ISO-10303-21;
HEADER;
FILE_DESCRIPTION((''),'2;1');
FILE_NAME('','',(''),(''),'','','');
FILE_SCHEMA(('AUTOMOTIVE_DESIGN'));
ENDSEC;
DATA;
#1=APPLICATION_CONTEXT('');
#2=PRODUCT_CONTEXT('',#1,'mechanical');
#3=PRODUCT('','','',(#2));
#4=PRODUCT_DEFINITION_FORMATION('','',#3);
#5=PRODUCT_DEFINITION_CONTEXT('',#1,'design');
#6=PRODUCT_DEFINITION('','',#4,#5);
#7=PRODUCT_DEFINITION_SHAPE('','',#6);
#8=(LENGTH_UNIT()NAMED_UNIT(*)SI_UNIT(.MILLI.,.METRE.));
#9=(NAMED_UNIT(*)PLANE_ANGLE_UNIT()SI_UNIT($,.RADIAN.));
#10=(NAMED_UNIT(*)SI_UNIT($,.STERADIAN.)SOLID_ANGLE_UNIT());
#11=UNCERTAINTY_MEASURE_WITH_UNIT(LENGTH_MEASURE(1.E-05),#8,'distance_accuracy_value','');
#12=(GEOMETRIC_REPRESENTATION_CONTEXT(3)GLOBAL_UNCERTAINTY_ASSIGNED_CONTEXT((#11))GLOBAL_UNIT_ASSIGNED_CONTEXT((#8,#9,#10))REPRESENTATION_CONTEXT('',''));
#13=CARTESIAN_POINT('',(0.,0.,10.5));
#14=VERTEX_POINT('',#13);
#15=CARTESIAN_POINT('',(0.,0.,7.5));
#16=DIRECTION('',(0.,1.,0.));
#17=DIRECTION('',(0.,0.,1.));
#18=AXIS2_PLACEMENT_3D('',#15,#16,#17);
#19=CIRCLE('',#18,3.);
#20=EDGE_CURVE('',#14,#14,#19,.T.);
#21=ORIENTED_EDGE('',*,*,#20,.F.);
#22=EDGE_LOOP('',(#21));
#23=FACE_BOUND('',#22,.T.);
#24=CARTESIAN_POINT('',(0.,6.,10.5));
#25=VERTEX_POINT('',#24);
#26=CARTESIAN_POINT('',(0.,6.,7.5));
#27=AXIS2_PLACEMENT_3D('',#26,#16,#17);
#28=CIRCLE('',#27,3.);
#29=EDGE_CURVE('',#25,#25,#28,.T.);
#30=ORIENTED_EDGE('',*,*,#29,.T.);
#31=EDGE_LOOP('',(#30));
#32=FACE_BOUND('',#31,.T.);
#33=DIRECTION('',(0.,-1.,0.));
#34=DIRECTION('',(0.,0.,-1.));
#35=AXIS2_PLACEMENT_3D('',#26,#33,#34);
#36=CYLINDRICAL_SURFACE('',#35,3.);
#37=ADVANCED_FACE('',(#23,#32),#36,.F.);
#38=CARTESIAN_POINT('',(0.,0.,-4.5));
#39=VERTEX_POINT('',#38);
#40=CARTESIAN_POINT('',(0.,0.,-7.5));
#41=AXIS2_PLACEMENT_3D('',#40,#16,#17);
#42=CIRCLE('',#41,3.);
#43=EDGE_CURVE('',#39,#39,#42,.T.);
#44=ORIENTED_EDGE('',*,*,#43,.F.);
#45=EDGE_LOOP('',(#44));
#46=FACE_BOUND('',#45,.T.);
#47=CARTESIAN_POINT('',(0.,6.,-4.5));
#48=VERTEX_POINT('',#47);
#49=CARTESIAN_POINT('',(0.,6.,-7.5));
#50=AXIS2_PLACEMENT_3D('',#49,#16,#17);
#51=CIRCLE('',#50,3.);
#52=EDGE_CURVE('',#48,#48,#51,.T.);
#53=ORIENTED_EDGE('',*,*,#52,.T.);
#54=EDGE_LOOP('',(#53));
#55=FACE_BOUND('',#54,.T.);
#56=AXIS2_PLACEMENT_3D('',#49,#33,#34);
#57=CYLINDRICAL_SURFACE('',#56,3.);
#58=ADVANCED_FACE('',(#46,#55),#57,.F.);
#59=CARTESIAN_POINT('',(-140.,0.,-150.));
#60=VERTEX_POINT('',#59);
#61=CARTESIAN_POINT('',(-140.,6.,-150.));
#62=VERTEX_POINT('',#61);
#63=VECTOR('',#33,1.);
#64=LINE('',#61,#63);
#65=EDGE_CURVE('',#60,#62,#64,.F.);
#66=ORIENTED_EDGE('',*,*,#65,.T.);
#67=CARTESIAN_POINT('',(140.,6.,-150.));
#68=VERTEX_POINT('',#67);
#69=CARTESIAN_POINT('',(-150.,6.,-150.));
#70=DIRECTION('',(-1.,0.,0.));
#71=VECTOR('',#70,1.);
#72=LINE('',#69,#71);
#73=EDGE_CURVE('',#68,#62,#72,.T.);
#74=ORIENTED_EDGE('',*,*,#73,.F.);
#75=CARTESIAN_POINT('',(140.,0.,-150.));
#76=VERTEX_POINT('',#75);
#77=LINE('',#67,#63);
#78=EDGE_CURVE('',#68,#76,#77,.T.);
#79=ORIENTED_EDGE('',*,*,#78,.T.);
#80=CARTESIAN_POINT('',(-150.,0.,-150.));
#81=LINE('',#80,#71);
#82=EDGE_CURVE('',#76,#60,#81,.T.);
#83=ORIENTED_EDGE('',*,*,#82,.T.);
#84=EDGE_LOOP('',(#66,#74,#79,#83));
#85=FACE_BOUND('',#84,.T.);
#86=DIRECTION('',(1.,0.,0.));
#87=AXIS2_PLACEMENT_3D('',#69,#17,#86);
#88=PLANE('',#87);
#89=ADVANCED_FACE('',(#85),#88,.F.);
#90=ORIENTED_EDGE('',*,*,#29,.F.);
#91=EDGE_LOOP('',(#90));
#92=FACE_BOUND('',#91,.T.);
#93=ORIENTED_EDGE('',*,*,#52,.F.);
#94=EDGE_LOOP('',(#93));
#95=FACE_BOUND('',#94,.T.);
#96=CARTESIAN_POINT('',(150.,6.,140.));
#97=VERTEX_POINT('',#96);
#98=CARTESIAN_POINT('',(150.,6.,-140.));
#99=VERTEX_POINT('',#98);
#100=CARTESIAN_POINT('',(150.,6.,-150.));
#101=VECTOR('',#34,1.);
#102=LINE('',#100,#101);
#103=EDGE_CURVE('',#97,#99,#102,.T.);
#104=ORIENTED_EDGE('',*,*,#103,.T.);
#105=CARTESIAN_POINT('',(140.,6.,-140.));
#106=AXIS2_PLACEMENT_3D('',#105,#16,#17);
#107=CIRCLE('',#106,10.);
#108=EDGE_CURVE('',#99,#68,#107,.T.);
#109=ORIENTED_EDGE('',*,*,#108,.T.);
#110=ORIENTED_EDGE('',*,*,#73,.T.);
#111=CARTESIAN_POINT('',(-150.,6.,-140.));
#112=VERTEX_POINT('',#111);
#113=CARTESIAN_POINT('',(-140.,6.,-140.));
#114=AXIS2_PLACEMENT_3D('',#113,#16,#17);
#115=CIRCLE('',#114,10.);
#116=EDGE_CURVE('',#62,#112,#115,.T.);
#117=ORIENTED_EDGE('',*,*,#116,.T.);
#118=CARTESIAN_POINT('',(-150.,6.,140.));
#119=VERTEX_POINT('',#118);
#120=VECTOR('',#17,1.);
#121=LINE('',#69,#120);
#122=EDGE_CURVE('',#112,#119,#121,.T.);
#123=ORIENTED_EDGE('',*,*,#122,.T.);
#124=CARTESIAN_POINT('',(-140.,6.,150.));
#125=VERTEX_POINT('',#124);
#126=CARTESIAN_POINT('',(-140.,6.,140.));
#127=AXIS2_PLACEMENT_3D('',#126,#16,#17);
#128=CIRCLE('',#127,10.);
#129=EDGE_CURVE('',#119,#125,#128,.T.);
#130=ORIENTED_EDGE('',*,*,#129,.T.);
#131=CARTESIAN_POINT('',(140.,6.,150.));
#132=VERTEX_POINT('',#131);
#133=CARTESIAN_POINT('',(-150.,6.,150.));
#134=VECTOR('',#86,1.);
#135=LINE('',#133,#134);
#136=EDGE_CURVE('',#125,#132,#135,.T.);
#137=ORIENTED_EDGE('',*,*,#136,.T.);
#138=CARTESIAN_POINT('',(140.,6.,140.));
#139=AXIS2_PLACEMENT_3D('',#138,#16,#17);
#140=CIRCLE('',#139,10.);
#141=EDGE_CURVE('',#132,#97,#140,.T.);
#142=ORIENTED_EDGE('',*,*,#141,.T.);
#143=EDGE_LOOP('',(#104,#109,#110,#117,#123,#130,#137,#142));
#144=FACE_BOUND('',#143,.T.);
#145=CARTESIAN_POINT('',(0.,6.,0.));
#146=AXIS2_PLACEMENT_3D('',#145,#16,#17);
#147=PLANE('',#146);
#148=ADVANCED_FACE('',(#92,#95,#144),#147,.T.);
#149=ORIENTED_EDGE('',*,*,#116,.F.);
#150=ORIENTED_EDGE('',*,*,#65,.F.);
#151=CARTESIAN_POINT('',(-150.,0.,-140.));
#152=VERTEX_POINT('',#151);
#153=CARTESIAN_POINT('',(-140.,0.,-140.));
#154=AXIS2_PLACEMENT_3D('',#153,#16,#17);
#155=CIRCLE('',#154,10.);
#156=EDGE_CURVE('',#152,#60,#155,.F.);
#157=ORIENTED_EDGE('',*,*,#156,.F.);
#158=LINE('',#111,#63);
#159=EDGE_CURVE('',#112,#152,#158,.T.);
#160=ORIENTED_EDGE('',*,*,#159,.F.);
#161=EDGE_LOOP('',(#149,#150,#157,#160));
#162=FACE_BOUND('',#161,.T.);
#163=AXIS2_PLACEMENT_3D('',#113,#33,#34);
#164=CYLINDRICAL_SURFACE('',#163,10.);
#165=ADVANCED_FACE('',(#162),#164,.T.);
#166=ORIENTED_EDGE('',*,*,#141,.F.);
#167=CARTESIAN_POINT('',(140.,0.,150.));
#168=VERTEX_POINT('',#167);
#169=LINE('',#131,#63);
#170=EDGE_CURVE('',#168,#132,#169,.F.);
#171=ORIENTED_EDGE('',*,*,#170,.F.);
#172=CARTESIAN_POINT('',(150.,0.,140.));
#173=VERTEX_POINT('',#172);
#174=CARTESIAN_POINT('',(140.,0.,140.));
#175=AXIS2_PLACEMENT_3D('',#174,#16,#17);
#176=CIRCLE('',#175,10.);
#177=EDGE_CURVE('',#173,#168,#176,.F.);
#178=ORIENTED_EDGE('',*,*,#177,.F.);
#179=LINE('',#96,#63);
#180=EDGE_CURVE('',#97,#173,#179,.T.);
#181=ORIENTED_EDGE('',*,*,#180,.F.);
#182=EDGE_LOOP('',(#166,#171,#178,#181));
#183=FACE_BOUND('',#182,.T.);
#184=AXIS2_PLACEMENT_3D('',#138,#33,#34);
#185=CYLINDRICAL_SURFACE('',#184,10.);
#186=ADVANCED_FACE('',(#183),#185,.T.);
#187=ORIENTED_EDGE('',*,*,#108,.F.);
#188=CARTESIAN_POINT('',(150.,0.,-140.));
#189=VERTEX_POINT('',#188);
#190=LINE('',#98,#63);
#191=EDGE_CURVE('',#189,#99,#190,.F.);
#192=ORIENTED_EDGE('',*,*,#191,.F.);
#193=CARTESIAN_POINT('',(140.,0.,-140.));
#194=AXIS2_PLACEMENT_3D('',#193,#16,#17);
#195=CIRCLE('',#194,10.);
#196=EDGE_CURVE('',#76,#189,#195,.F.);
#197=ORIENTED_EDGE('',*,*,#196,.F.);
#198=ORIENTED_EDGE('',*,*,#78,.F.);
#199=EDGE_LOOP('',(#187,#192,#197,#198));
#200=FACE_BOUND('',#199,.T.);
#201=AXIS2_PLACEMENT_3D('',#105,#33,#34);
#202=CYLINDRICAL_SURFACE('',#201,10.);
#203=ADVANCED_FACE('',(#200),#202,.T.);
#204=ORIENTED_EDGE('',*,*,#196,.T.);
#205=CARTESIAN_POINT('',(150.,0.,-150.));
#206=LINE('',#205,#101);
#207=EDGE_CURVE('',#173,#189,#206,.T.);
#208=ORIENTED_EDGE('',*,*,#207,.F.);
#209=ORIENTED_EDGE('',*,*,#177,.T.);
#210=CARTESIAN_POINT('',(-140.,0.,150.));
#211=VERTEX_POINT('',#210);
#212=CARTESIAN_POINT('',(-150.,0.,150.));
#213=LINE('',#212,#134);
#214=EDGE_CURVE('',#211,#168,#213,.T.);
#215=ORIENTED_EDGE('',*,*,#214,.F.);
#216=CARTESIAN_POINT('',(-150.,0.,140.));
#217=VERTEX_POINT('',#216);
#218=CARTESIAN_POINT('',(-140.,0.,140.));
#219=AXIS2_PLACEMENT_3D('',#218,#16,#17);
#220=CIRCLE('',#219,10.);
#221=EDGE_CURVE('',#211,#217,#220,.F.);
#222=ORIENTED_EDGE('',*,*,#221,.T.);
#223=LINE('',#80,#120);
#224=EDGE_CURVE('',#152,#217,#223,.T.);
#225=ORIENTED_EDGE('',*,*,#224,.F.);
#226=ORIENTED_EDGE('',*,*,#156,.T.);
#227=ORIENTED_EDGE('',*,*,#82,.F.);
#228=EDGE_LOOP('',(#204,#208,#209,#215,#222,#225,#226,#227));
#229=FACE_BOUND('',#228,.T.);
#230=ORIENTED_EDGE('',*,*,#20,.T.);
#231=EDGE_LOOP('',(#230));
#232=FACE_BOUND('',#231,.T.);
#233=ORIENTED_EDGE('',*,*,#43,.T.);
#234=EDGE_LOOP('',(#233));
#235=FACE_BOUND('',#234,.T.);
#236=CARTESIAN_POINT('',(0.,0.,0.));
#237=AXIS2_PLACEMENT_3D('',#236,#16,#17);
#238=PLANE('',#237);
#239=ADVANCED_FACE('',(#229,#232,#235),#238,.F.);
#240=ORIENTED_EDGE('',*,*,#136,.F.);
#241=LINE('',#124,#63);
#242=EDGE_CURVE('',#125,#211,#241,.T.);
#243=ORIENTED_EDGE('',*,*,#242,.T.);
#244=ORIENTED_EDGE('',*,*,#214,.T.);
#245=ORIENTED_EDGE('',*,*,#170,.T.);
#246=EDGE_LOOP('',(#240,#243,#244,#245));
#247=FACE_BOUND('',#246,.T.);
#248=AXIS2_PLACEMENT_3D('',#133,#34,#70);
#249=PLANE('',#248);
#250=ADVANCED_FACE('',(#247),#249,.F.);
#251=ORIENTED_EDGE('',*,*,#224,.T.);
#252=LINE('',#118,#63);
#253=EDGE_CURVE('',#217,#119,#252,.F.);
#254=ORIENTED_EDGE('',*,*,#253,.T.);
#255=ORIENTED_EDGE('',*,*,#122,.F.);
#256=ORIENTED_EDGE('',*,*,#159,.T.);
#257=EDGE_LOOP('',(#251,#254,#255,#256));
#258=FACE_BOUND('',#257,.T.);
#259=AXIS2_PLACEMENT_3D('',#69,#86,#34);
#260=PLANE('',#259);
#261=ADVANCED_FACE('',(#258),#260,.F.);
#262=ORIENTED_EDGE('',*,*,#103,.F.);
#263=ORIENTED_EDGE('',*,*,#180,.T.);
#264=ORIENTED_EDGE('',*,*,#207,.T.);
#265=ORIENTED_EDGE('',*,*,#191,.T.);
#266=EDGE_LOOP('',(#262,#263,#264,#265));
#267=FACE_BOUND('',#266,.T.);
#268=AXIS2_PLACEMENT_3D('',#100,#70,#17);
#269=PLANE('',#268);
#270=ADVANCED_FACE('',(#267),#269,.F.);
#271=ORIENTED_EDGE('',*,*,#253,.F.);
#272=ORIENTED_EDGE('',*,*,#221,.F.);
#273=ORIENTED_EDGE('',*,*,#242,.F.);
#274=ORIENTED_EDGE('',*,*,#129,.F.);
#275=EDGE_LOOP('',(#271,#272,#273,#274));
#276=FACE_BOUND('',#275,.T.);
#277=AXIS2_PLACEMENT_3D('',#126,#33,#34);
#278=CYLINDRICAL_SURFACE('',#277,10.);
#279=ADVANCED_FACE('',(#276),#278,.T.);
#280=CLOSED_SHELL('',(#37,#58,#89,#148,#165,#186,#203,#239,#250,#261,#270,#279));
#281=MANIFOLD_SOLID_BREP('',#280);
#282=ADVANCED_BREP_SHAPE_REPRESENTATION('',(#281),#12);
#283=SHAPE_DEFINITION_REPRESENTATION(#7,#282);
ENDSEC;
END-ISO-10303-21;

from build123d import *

# Parameters (mm, degrees)
WEIGHINGPLATEFORM_W = 300
WEIGHINGPLATEFORM_H = 300
WEIGHINGPLATEFORM_R = 3
BOSS_EXTRUDE1_DEPTH = 6
FILLET1_R           = 10


with BuildPart() as part:
    # WeighingPlateform → Boss-Extrude1 (new body)
    with BuildSketch(Plane(origin=(0, 0, 0), x_dir=(1, 0, 0), z_dir=(0, 1, 0))):
        Rectangle(WEIGHINGPLATEFORM_W, WEIGHINGPLATEFORM_H)
        with Locations(Location((0, 7.5, 0), (0, 0, 270))):
            Circle(WEIGHINGPLATEFORM_R, mode=Mode.SUBTRACT)
        with Locations(Location((0, -7.5, 0), (0, 0, 270))):
            Circle(WEIGHINGPLATEFORM_R, mode=Mode.SUBTRACT)
    extrude(amount=BOSS_EXTRUDE1_DEPTH)

    # Fillet1
    fillet1_edges = [part.edges().sort_by_distance(p)[0] for p in [
        (-150, 3, -150),
        (150, 3, -150),
        (150, 3, 150),
        (-150, 3, 150),
    ]]
    fillet(fillet1_edges, radius=FILLET1_R)


solid = part.part
